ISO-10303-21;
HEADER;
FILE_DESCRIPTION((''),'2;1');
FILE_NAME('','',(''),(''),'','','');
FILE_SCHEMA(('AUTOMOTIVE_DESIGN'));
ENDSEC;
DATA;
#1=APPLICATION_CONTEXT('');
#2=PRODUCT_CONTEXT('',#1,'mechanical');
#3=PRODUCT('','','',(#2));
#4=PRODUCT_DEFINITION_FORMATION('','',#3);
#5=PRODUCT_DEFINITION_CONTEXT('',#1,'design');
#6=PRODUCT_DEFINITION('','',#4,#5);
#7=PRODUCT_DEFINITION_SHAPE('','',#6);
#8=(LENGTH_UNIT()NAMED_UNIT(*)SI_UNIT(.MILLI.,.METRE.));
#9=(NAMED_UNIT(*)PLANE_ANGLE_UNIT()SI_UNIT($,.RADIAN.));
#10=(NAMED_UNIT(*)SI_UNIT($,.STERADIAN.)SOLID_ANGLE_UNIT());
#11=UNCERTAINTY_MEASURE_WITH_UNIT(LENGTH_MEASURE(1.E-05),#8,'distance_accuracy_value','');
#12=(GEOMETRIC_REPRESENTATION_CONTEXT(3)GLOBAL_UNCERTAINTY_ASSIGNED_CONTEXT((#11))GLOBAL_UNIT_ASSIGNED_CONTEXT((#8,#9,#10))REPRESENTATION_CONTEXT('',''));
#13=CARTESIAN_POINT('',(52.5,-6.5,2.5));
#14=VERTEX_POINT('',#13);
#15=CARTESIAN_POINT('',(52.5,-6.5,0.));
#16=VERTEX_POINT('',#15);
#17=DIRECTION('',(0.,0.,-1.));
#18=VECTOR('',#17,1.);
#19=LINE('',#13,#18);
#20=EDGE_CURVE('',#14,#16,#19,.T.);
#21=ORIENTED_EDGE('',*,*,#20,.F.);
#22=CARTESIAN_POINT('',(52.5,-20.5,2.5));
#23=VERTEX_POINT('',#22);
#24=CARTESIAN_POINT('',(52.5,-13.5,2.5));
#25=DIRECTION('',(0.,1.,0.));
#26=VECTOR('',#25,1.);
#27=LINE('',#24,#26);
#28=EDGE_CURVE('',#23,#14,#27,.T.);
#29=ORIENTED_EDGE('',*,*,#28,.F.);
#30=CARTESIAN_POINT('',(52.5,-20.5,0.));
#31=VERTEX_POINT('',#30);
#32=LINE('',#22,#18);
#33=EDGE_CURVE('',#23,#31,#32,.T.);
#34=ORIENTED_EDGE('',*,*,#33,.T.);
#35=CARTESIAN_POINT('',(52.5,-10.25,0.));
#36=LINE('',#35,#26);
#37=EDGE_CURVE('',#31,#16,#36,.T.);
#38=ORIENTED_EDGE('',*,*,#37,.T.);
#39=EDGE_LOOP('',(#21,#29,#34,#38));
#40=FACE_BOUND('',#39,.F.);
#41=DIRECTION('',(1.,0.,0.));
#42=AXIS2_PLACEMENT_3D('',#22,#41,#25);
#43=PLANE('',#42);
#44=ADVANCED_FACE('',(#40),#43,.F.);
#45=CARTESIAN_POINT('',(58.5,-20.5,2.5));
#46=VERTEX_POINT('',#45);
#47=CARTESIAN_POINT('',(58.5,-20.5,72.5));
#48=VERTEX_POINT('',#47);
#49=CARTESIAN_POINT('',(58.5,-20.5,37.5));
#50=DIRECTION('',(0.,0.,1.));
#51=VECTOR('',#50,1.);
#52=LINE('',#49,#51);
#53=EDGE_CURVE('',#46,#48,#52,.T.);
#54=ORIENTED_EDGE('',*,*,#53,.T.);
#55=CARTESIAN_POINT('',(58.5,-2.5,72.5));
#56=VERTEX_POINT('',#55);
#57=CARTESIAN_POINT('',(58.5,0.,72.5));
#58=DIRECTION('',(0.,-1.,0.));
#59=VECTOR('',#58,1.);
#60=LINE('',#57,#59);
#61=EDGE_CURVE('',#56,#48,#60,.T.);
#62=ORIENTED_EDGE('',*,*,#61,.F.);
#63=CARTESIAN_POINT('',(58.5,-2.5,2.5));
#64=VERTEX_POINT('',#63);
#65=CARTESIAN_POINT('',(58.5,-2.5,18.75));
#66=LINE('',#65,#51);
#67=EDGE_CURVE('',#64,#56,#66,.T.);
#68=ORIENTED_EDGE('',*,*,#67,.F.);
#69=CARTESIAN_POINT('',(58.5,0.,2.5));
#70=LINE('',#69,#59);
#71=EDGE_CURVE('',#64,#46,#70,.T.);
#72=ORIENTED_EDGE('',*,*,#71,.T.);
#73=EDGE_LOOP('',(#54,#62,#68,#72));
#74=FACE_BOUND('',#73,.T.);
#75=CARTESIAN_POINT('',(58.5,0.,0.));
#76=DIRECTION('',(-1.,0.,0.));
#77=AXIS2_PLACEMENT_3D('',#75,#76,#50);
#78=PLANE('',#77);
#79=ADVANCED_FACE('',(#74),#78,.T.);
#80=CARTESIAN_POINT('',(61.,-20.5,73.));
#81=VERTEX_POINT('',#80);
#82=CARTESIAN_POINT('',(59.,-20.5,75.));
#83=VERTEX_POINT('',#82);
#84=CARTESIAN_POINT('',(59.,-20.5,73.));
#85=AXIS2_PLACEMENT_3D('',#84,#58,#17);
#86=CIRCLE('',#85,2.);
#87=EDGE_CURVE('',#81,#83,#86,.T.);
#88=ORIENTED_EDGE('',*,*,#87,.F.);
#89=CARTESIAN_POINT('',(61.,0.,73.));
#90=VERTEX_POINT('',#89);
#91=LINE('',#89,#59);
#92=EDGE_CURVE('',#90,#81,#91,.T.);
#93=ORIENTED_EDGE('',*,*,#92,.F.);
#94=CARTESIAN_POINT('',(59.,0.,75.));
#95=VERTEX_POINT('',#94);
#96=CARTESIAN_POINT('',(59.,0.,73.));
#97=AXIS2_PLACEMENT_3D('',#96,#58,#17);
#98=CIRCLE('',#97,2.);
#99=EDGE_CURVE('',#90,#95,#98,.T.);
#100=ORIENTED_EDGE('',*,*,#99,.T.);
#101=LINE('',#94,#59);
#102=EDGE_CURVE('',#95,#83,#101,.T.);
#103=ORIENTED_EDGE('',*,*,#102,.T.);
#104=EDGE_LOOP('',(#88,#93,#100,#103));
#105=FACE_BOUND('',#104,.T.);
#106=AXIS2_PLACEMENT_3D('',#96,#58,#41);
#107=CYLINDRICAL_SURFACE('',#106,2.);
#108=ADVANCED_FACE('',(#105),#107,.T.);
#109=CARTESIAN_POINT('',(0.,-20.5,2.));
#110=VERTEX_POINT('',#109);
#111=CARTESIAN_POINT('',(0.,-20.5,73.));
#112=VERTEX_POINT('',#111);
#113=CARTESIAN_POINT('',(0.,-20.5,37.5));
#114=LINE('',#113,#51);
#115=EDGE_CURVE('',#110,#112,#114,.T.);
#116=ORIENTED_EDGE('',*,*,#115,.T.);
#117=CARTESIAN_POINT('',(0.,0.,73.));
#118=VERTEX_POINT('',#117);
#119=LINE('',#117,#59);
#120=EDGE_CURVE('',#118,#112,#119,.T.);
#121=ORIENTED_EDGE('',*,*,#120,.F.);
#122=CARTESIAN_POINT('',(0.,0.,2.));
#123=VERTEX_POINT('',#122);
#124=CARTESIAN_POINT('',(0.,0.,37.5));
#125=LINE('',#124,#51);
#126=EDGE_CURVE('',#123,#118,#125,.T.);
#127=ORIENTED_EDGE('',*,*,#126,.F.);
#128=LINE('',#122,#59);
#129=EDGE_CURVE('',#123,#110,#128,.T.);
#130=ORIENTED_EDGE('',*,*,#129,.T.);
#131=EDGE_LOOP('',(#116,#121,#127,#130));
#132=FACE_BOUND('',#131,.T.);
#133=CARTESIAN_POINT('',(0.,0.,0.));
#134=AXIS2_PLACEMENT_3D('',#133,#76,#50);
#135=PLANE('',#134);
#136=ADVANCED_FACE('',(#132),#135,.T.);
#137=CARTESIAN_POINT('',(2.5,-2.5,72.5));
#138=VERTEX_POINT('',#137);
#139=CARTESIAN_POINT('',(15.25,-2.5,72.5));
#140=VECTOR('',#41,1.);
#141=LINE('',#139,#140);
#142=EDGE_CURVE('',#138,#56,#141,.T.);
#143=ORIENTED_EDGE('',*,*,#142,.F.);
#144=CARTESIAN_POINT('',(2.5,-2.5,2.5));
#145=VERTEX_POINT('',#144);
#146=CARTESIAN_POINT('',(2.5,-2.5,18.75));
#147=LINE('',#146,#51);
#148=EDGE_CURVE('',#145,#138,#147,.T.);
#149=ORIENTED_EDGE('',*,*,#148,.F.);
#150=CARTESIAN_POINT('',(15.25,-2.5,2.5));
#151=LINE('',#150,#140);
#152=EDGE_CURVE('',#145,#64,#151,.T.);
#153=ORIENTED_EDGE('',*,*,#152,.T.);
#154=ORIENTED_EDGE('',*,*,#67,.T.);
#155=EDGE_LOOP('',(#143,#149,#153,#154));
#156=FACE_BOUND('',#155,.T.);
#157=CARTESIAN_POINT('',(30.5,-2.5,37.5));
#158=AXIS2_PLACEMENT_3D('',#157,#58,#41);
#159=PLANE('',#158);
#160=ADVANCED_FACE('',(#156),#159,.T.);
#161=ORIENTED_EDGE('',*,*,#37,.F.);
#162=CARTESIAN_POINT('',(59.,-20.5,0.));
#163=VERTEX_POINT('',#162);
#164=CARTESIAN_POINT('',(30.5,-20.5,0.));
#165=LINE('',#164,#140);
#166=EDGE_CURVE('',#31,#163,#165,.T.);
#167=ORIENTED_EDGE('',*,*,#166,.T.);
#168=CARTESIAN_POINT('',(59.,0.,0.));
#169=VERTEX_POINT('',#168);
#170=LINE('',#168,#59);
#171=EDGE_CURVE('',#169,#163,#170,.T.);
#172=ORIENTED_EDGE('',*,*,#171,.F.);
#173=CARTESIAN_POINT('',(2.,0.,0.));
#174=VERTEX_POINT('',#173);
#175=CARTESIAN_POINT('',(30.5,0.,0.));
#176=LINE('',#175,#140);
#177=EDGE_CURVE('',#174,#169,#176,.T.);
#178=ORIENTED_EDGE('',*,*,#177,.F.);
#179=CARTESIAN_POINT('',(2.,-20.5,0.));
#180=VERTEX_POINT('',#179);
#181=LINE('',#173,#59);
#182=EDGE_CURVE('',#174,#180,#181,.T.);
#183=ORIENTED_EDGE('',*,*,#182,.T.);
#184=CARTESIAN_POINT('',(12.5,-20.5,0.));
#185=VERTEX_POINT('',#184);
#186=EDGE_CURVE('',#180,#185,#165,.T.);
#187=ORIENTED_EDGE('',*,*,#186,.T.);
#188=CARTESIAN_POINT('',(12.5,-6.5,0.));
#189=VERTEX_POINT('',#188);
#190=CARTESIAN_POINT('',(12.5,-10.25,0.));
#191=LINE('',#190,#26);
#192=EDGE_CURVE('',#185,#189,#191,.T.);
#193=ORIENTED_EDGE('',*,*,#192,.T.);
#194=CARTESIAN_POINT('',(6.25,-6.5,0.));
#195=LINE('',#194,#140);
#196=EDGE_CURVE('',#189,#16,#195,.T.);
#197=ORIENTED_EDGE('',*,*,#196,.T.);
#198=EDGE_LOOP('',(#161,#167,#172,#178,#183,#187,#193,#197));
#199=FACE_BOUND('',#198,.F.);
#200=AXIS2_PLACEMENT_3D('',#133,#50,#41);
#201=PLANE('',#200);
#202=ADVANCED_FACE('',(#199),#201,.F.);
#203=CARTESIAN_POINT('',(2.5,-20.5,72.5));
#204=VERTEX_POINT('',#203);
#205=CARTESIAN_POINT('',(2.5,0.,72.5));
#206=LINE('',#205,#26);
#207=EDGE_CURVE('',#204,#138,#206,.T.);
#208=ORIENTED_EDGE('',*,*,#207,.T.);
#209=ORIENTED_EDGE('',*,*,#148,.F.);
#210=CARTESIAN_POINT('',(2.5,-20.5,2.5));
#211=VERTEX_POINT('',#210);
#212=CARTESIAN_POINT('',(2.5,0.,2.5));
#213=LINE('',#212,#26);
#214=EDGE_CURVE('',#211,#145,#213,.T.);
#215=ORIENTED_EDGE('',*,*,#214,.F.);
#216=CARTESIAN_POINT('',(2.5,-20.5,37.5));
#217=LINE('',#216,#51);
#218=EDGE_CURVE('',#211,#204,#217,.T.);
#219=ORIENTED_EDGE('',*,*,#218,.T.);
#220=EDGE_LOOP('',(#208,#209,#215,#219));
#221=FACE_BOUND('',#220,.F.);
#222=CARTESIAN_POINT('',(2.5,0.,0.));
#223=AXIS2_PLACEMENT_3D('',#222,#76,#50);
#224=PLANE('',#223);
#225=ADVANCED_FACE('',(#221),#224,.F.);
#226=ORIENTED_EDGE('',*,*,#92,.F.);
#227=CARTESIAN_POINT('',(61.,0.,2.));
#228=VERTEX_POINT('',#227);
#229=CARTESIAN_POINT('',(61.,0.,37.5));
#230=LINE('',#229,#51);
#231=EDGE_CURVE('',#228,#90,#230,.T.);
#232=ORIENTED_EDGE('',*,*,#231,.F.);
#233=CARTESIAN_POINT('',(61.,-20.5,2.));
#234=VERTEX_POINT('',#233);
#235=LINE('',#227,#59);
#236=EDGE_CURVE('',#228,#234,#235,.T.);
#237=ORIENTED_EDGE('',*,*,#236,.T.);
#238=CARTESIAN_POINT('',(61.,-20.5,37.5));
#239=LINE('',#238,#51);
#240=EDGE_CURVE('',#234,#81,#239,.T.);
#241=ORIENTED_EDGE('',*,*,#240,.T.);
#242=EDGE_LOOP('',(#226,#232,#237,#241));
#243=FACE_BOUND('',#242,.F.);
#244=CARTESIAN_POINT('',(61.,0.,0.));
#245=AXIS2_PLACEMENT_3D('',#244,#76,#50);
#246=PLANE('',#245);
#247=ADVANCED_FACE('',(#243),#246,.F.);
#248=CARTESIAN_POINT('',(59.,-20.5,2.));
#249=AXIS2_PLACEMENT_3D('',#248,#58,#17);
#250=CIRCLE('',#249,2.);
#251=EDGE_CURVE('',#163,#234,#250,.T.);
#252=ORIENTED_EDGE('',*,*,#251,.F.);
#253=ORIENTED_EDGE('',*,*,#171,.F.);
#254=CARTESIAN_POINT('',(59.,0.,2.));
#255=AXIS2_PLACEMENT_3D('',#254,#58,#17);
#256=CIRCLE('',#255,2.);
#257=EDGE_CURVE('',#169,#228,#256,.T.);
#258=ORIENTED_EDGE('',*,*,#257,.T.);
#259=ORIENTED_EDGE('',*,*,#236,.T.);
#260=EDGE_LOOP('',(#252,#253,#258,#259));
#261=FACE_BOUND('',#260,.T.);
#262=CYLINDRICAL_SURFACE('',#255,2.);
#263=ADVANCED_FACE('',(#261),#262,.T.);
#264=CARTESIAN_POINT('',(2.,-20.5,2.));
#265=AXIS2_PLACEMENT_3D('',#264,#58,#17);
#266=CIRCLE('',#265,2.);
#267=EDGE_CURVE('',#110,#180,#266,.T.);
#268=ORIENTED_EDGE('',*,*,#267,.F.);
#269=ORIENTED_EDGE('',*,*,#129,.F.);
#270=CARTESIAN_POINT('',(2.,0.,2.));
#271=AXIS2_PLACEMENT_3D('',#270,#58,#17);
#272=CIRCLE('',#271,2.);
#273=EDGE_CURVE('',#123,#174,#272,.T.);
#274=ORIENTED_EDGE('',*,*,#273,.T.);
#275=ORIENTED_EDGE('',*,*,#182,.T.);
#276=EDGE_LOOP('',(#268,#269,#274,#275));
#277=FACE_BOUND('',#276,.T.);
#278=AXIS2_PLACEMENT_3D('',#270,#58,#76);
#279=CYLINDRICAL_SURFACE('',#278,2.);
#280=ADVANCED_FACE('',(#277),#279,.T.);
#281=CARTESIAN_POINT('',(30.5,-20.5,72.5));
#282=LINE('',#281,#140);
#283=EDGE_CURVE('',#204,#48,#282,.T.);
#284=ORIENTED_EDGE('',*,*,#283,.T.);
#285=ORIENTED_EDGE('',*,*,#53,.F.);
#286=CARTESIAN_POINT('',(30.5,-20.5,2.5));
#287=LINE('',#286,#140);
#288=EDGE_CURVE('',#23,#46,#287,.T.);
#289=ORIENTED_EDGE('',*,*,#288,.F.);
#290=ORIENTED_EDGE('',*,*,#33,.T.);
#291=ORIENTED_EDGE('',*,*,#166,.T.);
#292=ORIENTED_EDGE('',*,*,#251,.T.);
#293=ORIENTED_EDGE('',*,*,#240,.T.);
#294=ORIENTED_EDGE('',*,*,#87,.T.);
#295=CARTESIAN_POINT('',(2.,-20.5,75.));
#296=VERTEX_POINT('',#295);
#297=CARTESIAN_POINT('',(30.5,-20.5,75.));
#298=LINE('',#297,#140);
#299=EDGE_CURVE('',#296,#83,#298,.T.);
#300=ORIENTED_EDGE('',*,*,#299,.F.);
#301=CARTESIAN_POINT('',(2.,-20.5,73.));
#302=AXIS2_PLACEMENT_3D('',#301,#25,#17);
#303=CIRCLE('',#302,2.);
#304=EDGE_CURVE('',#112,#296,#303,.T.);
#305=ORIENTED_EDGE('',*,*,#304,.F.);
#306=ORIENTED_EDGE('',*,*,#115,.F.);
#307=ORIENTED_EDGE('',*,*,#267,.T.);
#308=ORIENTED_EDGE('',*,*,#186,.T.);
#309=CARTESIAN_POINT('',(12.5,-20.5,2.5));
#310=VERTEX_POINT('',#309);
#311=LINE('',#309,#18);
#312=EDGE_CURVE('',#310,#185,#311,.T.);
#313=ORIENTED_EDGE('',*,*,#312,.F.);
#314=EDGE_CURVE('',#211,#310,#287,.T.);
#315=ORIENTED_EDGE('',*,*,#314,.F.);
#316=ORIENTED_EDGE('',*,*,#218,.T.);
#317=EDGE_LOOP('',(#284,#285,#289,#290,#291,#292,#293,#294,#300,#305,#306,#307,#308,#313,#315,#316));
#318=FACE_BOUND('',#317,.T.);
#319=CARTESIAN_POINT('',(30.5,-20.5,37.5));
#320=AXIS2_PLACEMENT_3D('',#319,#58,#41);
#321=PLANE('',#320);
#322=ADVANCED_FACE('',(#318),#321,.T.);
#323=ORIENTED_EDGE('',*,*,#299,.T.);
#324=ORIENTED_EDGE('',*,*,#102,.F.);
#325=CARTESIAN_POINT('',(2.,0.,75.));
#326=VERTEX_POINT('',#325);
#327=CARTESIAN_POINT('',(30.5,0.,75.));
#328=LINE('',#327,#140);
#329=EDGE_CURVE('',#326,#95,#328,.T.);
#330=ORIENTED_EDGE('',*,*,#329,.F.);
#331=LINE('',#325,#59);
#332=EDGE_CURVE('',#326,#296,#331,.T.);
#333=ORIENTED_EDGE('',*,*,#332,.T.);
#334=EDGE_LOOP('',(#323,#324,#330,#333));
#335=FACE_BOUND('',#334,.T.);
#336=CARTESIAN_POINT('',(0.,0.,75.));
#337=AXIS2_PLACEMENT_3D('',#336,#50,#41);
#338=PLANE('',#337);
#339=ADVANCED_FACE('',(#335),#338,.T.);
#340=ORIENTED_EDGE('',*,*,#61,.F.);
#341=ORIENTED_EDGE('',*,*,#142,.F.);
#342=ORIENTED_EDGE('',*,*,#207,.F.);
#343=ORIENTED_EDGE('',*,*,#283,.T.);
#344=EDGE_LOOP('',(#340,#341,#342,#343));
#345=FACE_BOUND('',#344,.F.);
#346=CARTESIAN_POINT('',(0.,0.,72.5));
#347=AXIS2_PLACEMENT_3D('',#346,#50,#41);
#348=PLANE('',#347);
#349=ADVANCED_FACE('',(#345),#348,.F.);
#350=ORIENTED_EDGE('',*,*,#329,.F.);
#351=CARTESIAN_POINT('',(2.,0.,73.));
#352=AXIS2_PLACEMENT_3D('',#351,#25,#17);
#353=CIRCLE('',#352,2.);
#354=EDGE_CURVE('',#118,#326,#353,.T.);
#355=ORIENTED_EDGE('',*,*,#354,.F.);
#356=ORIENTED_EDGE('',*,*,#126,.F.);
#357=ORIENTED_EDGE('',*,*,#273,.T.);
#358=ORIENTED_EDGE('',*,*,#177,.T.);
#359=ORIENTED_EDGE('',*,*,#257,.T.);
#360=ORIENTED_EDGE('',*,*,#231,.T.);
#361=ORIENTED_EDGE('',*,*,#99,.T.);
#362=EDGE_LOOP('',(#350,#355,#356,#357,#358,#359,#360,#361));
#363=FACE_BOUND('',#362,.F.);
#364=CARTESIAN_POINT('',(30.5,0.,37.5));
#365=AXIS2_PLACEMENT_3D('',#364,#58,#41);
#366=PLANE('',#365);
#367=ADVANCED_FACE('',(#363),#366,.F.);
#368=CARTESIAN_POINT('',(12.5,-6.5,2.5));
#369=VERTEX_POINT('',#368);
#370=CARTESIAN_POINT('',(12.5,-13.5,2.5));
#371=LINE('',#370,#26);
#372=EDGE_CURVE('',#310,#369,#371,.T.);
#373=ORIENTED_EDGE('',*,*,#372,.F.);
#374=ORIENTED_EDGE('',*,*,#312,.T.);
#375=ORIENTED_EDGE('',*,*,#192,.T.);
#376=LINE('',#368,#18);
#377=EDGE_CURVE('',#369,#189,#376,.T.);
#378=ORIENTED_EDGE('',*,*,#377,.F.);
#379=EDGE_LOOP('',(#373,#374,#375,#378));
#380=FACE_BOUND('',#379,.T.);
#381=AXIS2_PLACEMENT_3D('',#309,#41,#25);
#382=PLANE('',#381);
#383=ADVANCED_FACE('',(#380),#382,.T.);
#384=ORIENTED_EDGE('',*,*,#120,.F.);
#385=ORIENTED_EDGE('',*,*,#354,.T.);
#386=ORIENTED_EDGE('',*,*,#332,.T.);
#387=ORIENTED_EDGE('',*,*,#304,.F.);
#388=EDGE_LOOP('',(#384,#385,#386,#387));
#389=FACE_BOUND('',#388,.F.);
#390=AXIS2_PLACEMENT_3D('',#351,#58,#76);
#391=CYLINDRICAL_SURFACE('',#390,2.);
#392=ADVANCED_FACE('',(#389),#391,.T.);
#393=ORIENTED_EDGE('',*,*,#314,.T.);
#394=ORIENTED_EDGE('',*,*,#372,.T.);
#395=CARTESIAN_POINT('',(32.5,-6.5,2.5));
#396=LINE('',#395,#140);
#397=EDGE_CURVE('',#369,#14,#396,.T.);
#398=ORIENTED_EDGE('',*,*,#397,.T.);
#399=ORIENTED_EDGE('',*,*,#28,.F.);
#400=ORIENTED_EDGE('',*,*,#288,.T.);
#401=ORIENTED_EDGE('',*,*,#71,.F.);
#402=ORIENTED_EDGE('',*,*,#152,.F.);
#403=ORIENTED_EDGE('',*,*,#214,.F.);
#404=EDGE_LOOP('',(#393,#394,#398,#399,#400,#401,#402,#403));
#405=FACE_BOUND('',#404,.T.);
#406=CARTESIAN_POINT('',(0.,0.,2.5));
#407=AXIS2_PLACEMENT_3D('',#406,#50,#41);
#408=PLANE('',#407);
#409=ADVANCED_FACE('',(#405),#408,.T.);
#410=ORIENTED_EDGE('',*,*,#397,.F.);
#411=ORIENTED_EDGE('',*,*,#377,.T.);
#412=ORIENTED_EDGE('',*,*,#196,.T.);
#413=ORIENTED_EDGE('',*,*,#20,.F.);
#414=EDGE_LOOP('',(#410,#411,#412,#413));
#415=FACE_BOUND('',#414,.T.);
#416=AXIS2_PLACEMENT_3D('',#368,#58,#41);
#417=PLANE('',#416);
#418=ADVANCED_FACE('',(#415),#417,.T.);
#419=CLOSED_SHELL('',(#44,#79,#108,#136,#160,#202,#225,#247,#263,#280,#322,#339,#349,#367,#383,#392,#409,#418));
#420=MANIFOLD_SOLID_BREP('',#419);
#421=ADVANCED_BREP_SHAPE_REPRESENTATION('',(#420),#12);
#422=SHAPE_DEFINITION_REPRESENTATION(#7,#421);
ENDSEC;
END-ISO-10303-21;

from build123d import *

# Parameters (mm, degrees)
F0_W     = 61
F0_H     = 75
F1_DEPTH = 20.5
F2_R     = 2
F3_T     = -2.5
F4_W     = 40
F4_H     = 14
F5_DEPTH = 25


with BuildPart() as f1:
    # F0 (on Front) → F1 (new body)
    with BuildSketch(Plane.XZ):
        with Locations((30.5, 37.5)):
            Rectangle(F0_W, F0_H)
    extrude(amount=F1_DEPTH)

    # F2
    f2_edges = [f1.edges().sort_by_distance(p)[0] for p in [
        (0, -10.25, 75),
        (61, -10.25, 75),
        (61, -10.25, 0),
        (0, -10.25, 0),
    ]]
    fillet(f2_edges, radius=F2_R)

    # F3
    f3_openings = [f1.faces().sort_by_distance(p)[0] for p in [
        (30.5, -20.5, 37.5),
    ]]
    offset(amount=F3_T, openings=f3_openings)

    # F4 (on face) → F5 (cut)
    with BuildSketch(Plane.XY.offset(2.5)):
        with Locations((32.5, -13.5)):
            Rectangle(F4_W, F4_H)
    extrude(amount=-F5_DEPTH, mode=Mode.SUBTRACT)


solid = f1.part
